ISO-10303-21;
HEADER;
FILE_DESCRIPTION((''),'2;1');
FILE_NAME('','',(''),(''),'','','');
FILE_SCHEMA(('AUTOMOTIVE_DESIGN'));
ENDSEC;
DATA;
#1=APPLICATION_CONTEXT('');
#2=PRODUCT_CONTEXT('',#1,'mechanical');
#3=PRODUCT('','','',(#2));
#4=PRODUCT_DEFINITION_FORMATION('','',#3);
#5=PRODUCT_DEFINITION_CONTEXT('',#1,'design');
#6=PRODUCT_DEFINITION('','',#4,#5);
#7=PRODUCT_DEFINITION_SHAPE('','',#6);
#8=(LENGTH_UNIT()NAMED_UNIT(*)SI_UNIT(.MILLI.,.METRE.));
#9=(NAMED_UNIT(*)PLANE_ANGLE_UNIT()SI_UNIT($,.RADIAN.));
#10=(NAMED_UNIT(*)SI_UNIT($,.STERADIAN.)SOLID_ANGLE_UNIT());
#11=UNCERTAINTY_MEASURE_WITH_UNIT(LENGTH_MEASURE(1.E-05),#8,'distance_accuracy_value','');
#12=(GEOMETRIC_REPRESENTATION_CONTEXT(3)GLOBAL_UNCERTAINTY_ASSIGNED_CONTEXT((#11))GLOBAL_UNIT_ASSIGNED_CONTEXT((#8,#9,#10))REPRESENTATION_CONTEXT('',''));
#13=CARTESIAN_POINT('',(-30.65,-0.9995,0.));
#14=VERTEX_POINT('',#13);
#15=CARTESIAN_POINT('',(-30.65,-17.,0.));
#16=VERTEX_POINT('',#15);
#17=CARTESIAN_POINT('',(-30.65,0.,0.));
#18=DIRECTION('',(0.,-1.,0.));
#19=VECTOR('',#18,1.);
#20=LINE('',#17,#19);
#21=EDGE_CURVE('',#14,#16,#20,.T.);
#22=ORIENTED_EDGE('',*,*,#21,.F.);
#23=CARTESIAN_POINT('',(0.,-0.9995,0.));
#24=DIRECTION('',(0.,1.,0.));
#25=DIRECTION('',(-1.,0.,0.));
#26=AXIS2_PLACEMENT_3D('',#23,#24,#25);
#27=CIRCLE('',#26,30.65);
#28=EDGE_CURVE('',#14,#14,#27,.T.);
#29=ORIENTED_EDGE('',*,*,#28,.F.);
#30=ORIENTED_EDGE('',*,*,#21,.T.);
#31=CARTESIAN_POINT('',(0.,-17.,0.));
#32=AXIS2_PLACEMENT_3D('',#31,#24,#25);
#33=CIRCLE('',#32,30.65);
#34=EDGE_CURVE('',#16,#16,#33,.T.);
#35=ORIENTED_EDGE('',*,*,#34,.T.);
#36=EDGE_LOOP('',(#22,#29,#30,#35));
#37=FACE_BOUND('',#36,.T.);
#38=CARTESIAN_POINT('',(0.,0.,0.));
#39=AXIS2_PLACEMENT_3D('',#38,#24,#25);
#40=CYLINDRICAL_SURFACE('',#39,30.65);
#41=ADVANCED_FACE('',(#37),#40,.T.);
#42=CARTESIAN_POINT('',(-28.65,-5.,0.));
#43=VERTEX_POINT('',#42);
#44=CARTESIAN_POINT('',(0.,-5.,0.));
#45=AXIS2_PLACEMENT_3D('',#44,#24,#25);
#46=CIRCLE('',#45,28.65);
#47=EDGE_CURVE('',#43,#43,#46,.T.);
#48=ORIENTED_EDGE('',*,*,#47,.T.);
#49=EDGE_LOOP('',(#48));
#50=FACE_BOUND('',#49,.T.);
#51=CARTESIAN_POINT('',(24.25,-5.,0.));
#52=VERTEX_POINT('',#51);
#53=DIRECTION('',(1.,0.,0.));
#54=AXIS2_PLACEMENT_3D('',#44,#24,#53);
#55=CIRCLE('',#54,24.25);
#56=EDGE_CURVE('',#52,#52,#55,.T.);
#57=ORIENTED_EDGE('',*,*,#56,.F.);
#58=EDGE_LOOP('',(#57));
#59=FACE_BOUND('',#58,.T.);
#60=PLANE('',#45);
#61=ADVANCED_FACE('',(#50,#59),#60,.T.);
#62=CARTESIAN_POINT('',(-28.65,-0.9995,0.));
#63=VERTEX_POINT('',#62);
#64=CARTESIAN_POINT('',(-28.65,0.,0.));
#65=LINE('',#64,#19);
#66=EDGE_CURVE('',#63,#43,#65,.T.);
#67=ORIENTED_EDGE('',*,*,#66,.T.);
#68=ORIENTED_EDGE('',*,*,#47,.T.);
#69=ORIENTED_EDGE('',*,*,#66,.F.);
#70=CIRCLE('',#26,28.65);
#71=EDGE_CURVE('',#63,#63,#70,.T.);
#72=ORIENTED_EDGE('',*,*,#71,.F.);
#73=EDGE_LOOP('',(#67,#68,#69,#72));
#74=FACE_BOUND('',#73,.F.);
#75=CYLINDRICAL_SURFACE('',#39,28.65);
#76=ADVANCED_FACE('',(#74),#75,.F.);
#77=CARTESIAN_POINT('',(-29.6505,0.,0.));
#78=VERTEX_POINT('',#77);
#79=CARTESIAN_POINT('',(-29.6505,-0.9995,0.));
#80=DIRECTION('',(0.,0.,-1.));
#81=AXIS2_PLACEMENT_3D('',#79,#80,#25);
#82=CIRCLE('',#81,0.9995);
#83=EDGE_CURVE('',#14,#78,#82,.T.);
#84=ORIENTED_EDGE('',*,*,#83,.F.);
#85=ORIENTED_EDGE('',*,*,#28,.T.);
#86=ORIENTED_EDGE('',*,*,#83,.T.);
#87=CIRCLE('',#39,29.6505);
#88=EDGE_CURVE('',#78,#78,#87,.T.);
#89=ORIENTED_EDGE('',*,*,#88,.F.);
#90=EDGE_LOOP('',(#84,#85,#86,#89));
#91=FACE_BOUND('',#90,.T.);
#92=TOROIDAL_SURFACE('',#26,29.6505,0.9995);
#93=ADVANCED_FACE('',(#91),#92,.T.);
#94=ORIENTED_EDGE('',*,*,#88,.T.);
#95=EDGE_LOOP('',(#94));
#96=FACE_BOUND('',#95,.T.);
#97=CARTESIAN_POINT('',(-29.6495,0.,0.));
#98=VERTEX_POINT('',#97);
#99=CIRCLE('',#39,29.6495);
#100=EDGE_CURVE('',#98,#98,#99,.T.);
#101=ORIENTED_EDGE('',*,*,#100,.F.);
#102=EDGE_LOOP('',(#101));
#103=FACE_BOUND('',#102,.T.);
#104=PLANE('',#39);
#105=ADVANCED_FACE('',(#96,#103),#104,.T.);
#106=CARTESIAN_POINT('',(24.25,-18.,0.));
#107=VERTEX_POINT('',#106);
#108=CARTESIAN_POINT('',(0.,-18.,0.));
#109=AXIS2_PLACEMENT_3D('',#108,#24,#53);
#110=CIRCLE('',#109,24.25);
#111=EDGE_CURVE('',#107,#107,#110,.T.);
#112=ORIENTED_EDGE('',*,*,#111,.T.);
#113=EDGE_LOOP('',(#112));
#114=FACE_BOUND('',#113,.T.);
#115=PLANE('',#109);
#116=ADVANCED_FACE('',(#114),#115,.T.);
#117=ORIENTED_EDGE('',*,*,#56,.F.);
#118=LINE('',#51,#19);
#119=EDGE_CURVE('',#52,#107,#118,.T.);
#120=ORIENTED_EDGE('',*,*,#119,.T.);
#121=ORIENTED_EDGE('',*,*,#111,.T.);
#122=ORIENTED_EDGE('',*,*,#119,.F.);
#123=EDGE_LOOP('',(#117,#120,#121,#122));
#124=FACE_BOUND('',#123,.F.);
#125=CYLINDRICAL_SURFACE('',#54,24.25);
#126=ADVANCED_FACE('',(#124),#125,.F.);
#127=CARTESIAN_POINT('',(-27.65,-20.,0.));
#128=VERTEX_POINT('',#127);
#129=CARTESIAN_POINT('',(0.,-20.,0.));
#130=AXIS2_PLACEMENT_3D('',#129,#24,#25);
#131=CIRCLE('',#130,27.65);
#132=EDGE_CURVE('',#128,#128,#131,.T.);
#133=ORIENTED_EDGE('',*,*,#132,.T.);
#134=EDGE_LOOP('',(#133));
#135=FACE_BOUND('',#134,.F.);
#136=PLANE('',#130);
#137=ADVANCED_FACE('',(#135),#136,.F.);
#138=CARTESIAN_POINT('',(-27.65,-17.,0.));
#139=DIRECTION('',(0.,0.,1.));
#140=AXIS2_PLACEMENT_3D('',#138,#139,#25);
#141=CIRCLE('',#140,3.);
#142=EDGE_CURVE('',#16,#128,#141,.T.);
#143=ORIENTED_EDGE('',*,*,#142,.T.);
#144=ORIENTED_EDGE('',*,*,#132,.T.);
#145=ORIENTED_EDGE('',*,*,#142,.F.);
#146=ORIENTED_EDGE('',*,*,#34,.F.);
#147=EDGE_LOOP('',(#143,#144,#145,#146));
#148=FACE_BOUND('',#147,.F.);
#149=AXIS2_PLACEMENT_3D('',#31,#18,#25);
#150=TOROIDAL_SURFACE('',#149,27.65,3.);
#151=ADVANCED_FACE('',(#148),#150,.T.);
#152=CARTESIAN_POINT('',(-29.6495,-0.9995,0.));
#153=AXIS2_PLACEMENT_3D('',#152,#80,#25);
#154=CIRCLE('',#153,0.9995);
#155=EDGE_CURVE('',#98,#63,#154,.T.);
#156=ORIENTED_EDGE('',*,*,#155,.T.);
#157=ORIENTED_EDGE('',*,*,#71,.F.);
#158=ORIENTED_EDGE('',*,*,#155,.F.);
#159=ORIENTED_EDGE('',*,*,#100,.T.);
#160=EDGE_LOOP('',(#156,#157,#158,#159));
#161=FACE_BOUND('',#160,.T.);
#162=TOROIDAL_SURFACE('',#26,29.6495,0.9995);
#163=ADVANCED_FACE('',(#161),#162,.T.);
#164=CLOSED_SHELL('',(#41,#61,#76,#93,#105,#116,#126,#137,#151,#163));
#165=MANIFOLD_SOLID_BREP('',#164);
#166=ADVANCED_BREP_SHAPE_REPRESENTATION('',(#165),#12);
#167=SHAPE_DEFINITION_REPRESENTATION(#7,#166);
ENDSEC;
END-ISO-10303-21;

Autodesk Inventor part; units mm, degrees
ref_plane "YZ Plane" through (0, 0, 0) normal (1, 0, 0) x (0, 1, 0)
ref_plane "XZ Plane" through (0, 0, 0) normal (0, 1, 0) x (-1, 0, 0)
ref_plane "XY Plane" through (0, 0, 0) normal (0, 0, 1) x (1, 0, 0)
sketch "草圖1" plane through (0, 0, 0) normal (0, 1, 0) x (-1, 0, 0)
  circle A0 centre (0, 0) radius 28.65
  circle A1 centre (0, 0) radius 30.65
  dimension "d0" = 57.3
  dimension "d1" = 2
extrude "擠出1" add sketch "草圖1" against normal blind 20 contours A0 | A1
extrude "擠出2" cut sketch "草圖1" against normal blind 5 contours A0
sketch "草圖3" plane through (0, -5, 0) normal (0, 1, 0) x (1, 0, 0)
  circle A0 centre (0, 0) radius 28.65 projected
  circle A1 centre (0, 0) radius 30.65 projected
  circle A2 centre (0, 0) radius 24.25
  dimension "d7" = 4.4
extrude "擠出3" cut sketch "草圖3" against normal blind 13 contours A2
fillet "圓角1" radius 3 1 edges at (30.65, -20, 0)
fillet "圓角2" radius 1 2 edges at (28.65, 0, 0) (30.65, 0, 0)
properties part number "super flash light v4_3D 列印"
